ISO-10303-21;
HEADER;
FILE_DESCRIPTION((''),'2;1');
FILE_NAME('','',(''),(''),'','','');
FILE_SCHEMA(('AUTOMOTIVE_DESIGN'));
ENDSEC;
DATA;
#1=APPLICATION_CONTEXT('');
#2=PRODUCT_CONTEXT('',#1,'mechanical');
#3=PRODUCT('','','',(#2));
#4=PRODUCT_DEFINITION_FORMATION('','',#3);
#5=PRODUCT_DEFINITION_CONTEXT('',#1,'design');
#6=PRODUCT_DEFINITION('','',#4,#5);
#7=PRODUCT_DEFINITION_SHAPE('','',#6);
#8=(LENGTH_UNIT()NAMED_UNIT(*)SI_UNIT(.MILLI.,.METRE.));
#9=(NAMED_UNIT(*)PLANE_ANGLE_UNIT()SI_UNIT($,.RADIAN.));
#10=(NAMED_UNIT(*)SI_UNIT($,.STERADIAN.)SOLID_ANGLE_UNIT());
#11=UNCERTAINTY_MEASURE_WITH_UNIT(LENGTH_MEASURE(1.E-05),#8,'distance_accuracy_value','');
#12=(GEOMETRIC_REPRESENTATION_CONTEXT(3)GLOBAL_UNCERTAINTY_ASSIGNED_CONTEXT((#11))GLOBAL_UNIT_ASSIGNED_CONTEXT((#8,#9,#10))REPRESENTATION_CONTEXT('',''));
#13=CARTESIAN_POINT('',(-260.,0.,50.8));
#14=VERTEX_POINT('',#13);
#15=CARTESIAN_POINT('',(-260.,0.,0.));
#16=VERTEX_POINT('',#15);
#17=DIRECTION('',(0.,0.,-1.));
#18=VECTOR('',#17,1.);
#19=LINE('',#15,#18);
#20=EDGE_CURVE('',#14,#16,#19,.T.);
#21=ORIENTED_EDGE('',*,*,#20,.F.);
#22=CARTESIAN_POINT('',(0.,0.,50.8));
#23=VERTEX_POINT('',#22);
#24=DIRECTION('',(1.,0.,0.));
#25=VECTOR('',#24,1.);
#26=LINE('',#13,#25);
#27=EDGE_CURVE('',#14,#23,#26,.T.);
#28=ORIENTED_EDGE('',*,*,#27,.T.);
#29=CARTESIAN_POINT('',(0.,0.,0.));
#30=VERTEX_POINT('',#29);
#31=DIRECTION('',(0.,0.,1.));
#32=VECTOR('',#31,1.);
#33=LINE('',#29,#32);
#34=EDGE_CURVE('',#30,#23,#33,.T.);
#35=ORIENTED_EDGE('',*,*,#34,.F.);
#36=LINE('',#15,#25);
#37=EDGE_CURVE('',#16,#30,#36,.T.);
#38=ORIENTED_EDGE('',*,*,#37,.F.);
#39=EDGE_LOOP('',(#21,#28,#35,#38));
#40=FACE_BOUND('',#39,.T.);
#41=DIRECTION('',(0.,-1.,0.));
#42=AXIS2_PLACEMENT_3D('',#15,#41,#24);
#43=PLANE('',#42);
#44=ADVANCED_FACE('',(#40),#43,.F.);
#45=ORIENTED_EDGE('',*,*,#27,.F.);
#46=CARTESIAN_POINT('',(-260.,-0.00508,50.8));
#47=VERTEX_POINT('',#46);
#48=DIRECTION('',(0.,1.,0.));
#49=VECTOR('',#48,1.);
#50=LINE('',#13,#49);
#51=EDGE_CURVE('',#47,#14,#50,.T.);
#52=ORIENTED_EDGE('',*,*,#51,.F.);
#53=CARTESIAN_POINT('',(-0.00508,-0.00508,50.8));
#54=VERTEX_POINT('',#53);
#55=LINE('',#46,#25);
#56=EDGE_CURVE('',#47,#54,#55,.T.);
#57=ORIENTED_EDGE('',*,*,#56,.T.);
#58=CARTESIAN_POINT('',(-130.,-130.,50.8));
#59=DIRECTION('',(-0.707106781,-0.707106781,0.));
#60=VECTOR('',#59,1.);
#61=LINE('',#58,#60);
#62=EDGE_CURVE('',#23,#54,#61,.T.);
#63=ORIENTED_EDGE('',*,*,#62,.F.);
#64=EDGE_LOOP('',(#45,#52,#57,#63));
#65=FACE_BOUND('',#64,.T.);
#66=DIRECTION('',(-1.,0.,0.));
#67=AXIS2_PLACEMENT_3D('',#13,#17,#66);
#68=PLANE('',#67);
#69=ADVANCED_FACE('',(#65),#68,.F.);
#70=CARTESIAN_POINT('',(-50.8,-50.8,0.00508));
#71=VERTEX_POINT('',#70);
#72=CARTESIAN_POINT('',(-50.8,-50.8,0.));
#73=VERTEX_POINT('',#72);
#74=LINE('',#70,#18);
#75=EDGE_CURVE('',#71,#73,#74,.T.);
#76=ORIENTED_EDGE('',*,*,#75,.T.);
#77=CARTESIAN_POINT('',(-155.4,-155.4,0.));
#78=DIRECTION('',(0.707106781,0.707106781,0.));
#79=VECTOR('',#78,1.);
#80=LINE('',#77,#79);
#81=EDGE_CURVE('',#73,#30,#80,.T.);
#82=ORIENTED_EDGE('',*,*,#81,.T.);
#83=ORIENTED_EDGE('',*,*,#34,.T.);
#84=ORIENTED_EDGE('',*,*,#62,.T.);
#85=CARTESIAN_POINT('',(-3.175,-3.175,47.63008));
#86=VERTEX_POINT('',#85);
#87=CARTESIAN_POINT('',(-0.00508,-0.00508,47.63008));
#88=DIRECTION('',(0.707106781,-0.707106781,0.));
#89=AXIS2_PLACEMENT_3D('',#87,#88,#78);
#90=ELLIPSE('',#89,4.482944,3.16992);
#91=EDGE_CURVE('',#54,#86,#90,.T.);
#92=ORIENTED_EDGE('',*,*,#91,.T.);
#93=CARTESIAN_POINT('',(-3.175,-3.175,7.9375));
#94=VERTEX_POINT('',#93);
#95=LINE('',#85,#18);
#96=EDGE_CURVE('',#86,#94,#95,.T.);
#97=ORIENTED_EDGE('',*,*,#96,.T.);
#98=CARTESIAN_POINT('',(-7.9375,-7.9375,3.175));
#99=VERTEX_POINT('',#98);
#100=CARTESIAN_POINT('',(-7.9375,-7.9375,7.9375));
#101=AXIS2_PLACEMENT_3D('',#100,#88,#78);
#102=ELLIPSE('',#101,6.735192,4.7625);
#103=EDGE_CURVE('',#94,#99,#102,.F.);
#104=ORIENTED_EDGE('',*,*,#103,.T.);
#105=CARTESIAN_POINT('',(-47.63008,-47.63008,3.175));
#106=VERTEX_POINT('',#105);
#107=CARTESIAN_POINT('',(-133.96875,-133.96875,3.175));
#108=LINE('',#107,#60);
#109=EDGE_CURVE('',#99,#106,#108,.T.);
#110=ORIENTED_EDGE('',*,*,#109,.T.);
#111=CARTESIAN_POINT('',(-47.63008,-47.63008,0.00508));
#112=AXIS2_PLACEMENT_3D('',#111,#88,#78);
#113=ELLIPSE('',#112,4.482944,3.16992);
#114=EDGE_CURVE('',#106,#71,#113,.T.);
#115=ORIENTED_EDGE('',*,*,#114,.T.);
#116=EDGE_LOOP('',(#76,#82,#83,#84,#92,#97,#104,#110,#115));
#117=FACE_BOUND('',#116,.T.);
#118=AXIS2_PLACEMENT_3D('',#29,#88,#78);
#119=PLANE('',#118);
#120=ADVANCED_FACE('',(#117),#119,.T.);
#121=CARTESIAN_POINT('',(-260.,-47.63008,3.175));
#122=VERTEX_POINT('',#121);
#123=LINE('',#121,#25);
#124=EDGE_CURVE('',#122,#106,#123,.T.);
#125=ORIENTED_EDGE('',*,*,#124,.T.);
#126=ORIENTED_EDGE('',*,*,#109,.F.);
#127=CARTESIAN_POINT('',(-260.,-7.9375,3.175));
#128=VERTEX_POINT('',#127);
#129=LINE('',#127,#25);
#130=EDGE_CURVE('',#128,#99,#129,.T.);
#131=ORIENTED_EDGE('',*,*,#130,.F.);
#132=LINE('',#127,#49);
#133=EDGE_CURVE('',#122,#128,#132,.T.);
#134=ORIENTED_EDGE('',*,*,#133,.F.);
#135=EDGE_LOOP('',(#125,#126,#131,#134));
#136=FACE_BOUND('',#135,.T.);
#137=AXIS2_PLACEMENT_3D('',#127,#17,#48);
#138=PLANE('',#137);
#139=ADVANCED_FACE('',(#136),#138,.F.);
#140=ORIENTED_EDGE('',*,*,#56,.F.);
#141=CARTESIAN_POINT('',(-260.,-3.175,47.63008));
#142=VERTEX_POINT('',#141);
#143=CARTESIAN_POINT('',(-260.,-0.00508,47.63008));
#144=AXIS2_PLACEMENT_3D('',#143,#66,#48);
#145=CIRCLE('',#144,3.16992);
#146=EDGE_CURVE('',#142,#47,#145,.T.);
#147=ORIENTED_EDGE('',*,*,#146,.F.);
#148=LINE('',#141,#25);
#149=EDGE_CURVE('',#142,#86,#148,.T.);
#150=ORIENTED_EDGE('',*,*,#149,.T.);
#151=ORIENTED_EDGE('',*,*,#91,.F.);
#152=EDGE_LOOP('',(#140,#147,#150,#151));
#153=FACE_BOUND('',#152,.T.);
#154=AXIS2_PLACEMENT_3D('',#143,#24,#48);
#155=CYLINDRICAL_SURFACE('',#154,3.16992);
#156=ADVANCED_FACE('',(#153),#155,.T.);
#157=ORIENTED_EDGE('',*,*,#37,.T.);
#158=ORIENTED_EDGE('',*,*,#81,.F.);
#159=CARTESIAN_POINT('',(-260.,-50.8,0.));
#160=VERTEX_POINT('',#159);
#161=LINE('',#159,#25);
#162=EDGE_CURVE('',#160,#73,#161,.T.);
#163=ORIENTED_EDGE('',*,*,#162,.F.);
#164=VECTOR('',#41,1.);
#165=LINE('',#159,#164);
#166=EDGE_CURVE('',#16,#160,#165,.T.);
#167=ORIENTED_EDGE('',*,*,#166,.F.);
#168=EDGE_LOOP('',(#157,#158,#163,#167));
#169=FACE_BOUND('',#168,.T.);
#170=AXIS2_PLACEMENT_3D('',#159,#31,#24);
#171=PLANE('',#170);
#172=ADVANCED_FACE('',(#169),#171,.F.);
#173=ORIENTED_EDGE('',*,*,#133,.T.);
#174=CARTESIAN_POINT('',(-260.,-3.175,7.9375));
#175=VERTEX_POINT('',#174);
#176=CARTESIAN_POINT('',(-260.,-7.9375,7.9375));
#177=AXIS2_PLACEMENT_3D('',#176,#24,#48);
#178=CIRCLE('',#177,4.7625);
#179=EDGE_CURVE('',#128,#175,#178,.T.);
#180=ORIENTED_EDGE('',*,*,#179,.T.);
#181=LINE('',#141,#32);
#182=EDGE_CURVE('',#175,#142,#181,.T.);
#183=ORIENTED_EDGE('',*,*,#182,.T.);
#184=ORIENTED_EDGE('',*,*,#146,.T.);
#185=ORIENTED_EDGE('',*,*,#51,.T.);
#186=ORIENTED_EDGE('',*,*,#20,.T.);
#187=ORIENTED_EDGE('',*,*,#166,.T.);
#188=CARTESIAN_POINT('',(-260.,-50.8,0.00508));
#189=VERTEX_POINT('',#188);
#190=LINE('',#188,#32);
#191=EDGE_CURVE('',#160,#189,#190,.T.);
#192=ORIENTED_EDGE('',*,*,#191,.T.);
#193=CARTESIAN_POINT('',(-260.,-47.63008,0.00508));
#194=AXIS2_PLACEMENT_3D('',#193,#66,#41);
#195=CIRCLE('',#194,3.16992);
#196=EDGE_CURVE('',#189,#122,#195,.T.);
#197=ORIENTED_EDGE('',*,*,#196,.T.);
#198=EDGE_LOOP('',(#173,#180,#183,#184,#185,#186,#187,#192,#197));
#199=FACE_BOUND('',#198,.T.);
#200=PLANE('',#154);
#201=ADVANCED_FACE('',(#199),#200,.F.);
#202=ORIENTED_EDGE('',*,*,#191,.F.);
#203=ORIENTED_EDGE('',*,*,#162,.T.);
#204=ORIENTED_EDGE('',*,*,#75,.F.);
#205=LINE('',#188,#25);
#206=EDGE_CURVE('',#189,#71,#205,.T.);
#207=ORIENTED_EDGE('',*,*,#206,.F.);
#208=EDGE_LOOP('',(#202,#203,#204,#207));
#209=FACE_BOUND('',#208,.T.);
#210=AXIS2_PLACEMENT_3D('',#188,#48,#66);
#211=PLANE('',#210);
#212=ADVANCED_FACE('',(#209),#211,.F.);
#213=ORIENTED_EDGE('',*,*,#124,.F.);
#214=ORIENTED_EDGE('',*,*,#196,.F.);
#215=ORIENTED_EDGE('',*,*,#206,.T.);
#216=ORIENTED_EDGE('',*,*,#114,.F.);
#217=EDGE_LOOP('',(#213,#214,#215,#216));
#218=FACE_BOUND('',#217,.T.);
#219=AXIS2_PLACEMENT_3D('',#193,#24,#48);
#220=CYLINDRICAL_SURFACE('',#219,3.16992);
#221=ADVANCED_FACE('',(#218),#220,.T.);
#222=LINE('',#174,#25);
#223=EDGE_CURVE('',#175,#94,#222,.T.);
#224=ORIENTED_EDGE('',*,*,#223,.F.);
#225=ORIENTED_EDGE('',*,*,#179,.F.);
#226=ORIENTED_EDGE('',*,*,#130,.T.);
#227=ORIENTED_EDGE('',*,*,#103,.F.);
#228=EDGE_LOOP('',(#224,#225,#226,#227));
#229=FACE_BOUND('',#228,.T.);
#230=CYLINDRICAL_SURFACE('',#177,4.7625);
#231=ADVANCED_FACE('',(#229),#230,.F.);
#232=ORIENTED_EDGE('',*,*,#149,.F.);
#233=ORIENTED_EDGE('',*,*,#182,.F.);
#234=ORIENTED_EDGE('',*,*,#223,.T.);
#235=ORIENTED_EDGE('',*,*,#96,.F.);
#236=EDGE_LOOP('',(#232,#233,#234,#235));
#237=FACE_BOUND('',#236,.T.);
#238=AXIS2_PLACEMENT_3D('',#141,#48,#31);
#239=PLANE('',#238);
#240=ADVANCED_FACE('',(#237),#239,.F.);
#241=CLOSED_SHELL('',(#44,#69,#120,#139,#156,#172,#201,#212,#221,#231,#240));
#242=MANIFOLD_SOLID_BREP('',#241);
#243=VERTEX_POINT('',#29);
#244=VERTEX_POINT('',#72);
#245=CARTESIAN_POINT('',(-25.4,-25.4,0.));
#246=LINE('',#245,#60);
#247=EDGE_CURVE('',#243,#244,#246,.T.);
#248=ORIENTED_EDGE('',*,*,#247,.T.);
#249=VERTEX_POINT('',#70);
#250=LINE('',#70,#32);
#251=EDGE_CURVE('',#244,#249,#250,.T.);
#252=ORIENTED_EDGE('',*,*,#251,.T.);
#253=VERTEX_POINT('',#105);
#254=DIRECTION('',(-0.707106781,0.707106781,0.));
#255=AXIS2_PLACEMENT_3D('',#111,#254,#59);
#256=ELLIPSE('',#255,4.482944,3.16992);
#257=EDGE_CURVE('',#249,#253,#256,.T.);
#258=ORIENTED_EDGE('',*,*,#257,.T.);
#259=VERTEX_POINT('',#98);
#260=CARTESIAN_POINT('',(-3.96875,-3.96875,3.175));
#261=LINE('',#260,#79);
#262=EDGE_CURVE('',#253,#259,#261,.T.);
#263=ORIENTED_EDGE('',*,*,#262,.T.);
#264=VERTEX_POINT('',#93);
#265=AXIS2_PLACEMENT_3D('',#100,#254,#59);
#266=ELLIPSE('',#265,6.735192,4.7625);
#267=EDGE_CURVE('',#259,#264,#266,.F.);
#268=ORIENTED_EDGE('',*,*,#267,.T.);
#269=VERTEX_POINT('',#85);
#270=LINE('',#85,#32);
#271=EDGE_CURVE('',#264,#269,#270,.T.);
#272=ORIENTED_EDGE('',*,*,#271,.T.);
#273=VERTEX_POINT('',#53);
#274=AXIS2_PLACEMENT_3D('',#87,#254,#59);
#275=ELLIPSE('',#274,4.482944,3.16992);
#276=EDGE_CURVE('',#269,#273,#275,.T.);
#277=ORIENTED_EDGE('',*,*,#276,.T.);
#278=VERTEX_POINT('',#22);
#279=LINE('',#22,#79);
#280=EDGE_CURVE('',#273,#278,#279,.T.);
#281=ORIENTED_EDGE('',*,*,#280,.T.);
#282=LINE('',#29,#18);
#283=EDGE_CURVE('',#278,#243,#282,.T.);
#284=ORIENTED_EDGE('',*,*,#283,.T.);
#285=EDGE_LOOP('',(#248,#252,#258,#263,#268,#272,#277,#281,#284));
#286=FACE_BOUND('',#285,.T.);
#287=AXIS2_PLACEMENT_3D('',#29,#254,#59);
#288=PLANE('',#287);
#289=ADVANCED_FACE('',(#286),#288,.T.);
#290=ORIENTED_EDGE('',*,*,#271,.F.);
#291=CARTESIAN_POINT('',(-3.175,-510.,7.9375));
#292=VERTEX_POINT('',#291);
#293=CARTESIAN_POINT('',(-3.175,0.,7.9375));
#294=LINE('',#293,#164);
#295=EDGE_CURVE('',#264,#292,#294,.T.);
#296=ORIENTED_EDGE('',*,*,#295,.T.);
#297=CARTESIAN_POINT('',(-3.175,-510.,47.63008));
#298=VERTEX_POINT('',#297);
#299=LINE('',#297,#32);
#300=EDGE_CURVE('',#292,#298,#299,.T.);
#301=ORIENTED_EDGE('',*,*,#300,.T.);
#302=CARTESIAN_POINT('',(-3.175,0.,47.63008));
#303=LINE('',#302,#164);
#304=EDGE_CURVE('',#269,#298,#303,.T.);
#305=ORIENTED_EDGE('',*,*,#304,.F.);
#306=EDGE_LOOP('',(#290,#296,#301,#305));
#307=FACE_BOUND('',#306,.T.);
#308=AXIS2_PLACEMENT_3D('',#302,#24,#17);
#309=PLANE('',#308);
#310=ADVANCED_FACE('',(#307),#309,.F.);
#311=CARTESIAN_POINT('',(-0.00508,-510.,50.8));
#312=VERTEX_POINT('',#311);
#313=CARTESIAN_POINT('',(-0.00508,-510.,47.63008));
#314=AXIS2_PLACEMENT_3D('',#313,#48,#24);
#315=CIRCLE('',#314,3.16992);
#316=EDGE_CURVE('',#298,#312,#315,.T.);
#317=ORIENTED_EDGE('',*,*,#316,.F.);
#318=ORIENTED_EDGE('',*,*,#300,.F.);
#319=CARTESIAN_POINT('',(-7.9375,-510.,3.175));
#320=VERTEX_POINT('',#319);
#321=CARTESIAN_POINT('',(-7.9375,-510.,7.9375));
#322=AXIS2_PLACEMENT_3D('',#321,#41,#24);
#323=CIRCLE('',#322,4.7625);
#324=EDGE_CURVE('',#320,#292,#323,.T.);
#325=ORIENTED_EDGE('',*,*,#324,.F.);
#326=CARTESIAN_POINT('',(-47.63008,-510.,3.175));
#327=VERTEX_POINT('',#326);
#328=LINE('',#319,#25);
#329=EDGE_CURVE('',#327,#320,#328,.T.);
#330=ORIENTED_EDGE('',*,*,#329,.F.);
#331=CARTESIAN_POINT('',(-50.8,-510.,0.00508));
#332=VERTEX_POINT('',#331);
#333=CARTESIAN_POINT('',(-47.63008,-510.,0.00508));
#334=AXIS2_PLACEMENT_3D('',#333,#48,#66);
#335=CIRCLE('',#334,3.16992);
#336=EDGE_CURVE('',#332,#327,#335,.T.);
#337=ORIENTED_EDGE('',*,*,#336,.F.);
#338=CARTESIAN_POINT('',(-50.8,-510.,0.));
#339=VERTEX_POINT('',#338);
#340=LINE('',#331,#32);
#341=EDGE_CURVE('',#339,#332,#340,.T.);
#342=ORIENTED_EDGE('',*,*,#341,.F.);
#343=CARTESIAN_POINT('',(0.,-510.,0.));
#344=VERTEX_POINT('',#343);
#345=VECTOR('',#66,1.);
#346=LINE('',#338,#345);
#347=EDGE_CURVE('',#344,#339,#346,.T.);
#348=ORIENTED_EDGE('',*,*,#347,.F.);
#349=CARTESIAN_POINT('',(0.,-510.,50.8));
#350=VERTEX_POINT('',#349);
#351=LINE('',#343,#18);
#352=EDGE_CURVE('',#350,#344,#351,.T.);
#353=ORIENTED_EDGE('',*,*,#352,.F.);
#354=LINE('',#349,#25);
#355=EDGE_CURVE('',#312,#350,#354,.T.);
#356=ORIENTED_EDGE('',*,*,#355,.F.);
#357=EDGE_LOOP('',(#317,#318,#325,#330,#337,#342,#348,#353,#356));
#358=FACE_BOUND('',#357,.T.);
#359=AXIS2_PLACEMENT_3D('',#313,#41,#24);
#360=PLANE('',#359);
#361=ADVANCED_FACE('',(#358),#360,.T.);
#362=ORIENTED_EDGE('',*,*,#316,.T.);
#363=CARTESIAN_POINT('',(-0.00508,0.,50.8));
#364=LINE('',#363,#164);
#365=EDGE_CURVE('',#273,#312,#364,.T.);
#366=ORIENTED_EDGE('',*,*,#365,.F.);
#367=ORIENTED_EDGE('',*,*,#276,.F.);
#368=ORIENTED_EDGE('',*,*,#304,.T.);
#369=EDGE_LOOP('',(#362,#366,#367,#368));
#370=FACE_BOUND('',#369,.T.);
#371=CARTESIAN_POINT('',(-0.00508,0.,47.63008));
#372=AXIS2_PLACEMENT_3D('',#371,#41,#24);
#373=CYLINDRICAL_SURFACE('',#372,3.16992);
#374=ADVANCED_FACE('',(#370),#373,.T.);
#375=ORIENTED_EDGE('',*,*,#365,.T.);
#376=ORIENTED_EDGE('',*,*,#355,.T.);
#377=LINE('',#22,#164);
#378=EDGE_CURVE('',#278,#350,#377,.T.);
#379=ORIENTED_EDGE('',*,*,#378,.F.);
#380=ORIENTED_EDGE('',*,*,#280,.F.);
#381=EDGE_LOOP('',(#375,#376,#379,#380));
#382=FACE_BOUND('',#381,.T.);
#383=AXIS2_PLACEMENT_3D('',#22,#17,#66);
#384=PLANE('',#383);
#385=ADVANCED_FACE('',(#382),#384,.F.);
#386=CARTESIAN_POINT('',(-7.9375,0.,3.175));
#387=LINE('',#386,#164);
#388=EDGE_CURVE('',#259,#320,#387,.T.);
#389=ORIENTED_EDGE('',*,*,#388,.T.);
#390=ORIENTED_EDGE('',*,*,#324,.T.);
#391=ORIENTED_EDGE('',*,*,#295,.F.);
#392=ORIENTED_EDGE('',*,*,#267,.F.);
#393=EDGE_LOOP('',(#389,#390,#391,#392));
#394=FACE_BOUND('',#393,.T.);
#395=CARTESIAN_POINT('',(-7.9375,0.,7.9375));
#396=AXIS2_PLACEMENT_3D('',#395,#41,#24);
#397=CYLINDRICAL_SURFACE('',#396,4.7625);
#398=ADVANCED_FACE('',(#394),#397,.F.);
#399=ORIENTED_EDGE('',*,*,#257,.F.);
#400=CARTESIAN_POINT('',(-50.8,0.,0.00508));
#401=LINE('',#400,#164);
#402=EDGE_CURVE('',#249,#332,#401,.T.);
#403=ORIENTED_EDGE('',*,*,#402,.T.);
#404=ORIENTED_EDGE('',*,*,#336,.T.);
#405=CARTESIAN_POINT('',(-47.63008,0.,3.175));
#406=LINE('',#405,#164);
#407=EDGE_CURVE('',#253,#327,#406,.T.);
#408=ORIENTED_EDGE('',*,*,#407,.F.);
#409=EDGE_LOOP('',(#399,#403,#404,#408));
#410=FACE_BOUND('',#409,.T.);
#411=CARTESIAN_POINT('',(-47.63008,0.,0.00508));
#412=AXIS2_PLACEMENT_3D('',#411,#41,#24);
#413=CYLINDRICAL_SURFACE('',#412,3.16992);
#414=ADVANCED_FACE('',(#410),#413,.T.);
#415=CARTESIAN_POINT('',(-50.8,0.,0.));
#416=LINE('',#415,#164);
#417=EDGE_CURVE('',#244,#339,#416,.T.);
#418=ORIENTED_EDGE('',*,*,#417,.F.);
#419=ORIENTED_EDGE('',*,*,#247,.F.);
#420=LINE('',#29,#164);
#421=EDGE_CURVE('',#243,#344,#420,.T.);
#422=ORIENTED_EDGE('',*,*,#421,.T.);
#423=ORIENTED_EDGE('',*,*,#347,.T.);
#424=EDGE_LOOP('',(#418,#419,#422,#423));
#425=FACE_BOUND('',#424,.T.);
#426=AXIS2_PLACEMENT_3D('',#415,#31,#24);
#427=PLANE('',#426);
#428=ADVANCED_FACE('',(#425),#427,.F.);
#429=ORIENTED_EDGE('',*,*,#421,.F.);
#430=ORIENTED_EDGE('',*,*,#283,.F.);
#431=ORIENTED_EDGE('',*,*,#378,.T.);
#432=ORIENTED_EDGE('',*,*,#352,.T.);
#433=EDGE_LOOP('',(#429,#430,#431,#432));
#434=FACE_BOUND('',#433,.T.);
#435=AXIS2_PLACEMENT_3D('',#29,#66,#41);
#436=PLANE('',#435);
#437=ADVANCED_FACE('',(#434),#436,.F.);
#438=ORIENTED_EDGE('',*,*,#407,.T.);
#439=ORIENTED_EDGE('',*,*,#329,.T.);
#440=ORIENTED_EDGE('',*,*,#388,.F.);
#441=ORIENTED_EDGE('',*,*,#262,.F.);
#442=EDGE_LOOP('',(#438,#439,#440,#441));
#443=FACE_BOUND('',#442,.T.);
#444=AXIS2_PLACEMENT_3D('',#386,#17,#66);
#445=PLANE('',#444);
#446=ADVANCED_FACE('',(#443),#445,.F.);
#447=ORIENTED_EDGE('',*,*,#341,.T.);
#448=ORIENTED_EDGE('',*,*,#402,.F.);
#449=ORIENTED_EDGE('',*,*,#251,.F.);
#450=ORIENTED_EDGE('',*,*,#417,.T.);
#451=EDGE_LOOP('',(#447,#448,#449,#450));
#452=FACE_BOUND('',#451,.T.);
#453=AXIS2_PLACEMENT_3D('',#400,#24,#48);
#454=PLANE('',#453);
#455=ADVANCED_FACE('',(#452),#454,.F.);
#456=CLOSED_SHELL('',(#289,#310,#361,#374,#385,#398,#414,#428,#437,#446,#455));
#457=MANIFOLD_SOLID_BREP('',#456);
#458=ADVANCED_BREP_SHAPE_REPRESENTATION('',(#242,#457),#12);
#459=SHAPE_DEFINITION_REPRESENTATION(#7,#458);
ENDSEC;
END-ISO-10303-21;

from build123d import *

# Parameters (mm, degrees)
HIERRO_ANGULAR_2_X_2_X_0_125_1_DEPTH        = 582.842048969
HIERRO_ANGULAR_2_X_2_X_0_125_1_2_DEPTH      = 260
HIERRO_ANGULAR_2_X_2_X_0_125_1_2_DEPTH_BACK = 72.842048969


with BuildPart() as part:
    # Sketch1 on segment 1 (carried to segment 1) → Hierro angular 2 X 2 X 0.125(1) (new body)
    with BuildSketch(Plane(origin=(0, -510, 0), x_dir=(-1, 0, 0), z_dir=(0, 1, 0))):
        with BuildLine():
            Line((0, 0), (0, 50.8))
            Line((0, 50.8), (0.00508, 50.8))
            ThreePointArc((0.00508, 50.8), (2.246551928, 49.871551928), (3.175, 47.63008))
            Line((3.175, 47.63008), (3.175, 7.9375))
            ThreePointArc((3.175, 7.9375), (4.569903955, 4.569903955), (7.9375, 3.175))
            Line((7.9375, 3.175), (47.63008, 3.175))
            ThreePointArc((47.63008, 3.175), (49.871551928, 2.246551928), (50.8, 0.00508))
            Line((50.8, 0.00508), (50.8, 0))
            Line((50.8, 0), (0, 0))
        make_face()
    extrude(amount=HIERRO_ANGULAR_2_X_2_X_0_125_1_DEPTH)

    # Hierro angular 2 X 2 X 0.125(1) mitre 1
    split(bisect_by=Plane(origin=(0, 0, 0), x_dir=(0.707106781, 0.707106781, 0), z_dir=(0.707106781, -0.707106781, 0)), keep=Keep.TOP)


with BuildPart() as body_2:
    # Sketch1 → Hierro angular 2 X 2 X 0.125_1 2 (new, two sides: drawn at the far end of the back side and taken through both)
    with BuildSketch(Plane(origin=(0, 0, 0), x_dir=(0, -1, 0), z_dir=(-1, 0, 0)).offset(-HIERRO_ANGULAR_2_X_2_X_0_125_1_2_DEPTH_BACK)):
        with BuildLine():
            Line((0, 0), (0, 50.8))
            Line((0, 50.8), (0.00508, 50.8))
            ThreePointArc((0.00508, 50.8), (2.246551928, 49.871551928), (3.175, 47.63008))
            Line((3.175, 47.63008), (3.175, 7.9375))
            ThreePointArc((3.175, 7.9375), (4.569903955, 4.569903955), (7.9375, 3.175))
            Line((7.9375, 3.175), (47.63008, 3.175))
            ThreePointArc((47.63008, 3.175), (49.871551928, 2.246551928), (50.8, 0.00508))
            Line((50.8, 0.00508), (50.8, 0))
            Line((50.8, 0), (0, 0))
        make_face()
    extrude(amount=HIERRO_ANGULAR_2_X_2_X_0_125_1_2_DEPTH + HIERRO_ANGULAR_2_X_2_X_0_125_1_2_DEPTH_BACK)

    # Hierro angular 2 X 2 X 0.125_1 2 mitre 1
    split(bisect_by=Plane(origin=(0, 0, 0), x_dir=(-0.707106781, -0.707106781, 0), z_dir=(-0.707106781, 0.707106781, 0)), keep=Keep.TOP)


solid = Compound([part.part, body_2.part])
